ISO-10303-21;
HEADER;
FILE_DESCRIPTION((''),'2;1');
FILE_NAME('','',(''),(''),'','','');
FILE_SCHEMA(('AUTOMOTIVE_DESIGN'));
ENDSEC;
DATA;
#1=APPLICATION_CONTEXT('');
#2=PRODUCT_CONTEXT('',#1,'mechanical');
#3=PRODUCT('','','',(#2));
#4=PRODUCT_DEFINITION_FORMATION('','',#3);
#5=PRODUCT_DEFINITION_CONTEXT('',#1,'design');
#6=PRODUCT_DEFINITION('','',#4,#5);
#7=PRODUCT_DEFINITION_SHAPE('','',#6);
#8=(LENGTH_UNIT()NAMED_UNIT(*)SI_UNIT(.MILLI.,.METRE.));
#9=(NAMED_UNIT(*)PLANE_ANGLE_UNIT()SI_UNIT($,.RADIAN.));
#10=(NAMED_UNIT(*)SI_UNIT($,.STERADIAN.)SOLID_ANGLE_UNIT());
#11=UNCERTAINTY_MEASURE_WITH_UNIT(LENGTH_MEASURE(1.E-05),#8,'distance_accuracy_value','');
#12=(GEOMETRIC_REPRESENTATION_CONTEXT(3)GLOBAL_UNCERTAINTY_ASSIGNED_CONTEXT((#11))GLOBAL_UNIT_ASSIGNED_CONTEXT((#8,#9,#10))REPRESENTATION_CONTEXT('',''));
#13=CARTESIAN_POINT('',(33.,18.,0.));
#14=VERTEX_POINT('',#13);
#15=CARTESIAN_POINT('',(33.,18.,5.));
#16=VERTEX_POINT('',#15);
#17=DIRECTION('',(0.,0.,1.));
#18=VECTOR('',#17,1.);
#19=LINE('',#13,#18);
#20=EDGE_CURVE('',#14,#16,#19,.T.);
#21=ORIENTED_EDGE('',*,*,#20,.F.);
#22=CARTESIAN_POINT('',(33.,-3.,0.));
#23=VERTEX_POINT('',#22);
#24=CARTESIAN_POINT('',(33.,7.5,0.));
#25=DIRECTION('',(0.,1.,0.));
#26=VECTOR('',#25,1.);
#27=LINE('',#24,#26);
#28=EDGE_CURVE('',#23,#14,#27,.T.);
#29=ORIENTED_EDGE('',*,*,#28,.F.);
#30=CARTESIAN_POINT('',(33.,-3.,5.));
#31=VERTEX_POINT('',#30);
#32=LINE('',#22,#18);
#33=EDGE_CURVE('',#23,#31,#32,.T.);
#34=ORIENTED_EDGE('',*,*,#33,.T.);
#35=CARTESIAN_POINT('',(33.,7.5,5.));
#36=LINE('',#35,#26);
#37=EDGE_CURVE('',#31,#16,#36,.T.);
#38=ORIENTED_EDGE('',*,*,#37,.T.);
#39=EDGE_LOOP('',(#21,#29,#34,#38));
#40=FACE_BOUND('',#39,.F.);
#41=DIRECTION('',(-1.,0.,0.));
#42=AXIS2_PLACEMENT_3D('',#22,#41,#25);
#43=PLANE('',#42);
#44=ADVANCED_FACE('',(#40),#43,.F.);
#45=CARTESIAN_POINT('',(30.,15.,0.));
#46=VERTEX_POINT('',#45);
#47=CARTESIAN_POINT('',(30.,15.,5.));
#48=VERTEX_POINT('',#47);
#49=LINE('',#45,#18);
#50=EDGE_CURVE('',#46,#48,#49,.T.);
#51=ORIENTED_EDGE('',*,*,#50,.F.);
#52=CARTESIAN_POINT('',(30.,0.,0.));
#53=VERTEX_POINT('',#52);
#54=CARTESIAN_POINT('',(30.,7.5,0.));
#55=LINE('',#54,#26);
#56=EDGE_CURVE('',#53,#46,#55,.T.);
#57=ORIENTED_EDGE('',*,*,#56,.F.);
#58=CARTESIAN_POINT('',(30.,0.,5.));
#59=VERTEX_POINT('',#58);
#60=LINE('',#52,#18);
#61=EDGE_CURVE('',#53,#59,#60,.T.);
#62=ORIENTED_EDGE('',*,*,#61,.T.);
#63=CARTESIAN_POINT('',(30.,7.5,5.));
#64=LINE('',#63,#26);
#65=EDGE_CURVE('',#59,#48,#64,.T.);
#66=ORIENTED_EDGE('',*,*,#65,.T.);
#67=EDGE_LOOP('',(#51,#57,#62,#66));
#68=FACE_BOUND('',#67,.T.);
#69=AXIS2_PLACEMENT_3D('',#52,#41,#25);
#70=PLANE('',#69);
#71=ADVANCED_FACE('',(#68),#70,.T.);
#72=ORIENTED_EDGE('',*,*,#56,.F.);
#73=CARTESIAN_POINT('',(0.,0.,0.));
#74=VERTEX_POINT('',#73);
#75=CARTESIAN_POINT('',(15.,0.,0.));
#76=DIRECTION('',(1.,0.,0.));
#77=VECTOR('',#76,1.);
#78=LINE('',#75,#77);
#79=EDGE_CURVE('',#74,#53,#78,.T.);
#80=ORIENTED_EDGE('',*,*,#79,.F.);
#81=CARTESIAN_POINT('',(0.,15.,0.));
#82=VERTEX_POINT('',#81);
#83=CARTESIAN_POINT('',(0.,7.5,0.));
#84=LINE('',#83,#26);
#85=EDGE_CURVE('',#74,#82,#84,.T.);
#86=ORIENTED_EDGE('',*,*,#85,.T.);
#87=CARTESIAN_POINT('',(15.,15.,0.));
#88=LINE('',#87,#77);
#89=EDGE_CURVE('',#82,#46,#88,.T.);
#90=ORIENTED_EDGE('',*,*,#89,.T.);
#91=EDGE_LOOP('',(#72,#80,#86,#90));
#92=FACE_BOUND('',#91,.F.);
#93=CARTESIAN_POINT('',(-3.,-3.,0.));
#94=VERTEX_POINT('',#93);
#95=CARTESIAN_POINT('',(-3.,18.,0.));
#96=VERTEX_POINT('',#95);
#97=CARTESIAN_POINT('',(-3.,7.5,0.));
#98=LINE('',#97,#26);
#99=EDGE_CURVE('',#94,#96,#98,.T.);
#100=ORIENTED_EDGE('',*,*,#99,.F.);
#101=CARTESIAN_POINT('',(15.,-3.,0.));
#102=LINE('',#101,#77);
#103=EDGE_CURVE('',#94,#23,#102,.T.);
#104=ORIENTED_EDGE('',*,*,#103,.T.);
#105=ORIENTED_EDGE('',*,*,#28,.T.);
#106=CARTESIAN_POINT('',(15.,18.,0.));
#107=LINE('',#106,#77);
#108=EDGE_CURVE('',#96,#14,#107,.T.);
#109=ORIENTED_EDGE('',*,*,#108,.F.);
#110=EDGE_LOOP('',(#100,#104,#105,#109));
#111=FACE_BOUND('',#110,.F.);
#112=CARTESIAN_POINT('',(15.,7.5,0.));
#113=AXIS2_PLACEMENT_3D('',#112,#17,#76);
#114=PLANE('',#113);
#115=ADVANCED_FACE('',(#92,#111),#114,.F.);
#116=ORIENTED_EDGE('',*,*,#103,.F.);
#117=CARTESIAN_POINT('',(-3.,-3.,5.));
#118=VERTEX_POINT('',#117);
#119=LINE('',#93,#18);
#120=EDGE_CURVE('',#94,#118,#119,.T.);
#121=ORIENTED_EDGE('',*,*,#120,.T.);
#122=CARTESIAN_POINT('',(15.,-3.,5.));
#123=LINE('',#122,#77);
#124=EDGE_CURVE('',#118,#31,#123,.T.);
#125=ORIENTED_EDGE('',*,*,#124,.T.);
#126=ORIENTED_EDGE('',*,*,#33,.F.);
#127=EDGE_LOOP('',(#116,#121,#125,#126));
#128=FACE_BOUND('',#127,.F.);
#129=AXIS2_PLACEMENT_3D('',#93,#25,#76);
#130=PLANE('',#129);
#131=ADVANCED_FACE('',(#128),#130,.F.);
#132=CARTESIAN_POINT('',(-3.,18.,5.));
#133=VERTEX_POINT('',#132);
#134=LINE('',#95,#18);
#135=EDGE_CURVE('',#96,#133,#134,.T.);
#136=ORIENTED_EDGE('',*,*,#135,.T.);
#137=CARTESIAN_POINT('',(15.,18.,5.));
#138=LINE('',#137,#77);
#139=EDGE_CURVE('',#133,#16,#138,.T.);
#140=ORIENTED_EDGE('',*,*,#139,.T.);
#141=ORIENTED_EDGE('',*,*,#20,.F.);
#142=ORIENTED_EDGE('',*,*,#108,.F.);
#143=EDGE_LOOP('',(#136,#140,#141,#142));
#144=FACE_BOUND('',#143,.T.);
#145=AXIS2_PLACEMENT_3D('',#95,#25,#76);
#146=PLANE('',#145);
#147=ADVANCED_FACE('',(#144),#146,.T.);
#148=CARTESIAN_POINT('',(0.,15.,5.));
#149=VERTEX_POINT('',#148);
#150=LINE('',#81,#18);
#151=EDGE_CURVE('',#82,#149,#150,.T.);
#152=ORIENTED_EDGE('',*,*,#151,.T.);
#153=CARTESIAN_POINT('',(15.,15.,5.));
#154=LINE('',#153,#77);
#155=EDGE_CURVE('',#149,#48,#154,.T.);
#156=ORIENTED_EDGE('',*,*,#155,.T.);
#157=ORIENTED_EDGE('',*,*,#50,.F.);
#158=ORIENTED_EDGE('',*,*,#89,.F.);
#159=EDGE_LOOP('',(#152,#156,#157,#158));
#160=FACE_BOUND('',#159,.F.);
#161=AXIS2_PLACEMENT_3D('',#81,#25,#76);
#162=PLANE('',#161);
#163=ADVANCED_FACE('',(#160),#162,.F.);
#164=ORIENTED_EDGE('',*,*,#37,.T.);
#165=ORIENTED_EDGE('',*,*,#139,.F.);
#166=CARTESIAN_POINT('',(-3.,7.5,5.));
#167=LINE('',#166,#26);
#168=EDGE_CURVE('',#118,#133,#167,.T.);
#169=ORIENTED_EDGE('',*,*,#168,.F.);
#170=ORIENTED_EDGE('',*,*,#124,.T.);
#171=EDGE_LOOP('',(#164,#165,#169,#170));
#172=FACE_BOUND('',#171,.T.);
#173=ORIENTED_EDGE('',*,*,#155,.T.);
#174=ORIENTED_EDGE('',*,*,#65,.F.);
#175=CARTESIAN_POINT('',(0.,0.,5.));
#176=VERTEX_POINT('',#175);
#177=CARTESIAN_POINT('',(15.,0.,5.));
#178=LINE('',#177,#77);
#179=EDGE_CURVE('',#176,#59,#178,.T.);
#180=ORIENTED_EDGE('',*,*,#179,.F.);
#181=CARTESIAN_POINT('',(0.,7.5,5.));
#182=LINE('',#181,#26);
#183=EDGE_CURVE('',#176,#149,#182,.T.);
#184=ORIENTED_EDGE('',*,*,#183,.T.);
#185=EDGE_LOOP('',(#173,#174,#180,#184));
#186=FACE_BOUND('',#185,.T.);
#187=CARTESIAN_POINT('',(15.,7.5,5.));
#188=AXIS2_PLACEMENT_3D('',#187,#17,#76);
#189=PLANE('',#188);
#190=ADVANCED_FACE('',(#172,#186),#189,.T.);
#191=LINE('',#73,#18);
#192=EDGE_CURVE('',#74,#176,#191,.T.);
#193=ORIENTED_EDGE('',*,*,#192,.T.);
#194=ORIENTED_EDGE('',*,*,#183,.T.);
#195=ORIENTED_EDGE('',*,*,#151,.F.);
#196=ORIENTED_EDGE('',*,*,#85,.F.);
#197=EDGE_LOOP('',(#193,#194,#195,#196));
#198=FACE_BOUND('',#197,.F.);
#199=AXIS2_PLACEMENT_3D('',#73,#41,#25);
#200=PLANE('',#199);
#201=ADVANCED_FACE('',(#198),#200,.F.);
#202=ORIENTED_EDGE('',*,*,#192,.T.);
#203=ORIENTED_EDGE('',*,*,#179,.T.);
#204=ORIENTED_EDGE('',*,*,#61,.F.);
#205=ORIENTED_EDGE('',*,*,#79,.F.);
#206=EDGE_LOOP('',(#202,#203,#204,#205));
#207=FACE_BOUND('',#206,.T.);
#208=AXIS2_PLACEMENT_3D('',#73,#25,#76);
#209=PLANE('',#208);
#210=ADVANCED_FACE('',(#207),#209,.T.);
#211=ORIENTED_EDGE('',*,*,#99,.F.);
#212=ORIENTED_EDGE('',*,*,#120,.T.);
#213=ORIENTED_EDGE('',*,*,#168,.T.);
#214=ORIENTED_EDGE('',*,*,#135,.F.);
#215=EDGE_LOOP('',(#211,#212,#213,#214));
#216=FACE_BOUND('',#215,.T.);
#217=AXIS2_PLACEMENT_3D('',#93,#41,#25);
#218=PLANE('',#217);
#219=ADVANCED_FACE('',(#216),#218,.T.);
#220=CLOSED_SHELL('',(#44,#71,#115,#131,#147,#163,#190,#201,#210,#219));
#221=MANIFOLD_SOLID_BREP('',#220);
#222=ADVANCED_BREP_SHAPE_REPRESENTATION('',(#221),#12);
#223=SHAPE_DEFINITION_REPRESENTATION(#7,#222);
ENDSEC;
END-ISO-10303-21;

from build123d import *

# Parameters (mm, degrees)
SKETCH_W   = 36
SKETCH_H   = 21
SKETCH_W_2 = 30
SKETCH_H_2 = 15
PAD_DEPTH  = 5


with BuildPart() as part:
    # Sketch → Pad (new body)
    with BuildSketch(Plane.XY):
        with Locations((15, 7.5)):
            Rectangle(SKETCH_W, SKETCH_H)
        with Locations((15, 7.5)):
            Rectangle(SKETCH_W_2, SKETCH_H_2, mode=Mode.SUBTRACT)
    extrude(amount=PAD_DEPTH)


solid = part.part
